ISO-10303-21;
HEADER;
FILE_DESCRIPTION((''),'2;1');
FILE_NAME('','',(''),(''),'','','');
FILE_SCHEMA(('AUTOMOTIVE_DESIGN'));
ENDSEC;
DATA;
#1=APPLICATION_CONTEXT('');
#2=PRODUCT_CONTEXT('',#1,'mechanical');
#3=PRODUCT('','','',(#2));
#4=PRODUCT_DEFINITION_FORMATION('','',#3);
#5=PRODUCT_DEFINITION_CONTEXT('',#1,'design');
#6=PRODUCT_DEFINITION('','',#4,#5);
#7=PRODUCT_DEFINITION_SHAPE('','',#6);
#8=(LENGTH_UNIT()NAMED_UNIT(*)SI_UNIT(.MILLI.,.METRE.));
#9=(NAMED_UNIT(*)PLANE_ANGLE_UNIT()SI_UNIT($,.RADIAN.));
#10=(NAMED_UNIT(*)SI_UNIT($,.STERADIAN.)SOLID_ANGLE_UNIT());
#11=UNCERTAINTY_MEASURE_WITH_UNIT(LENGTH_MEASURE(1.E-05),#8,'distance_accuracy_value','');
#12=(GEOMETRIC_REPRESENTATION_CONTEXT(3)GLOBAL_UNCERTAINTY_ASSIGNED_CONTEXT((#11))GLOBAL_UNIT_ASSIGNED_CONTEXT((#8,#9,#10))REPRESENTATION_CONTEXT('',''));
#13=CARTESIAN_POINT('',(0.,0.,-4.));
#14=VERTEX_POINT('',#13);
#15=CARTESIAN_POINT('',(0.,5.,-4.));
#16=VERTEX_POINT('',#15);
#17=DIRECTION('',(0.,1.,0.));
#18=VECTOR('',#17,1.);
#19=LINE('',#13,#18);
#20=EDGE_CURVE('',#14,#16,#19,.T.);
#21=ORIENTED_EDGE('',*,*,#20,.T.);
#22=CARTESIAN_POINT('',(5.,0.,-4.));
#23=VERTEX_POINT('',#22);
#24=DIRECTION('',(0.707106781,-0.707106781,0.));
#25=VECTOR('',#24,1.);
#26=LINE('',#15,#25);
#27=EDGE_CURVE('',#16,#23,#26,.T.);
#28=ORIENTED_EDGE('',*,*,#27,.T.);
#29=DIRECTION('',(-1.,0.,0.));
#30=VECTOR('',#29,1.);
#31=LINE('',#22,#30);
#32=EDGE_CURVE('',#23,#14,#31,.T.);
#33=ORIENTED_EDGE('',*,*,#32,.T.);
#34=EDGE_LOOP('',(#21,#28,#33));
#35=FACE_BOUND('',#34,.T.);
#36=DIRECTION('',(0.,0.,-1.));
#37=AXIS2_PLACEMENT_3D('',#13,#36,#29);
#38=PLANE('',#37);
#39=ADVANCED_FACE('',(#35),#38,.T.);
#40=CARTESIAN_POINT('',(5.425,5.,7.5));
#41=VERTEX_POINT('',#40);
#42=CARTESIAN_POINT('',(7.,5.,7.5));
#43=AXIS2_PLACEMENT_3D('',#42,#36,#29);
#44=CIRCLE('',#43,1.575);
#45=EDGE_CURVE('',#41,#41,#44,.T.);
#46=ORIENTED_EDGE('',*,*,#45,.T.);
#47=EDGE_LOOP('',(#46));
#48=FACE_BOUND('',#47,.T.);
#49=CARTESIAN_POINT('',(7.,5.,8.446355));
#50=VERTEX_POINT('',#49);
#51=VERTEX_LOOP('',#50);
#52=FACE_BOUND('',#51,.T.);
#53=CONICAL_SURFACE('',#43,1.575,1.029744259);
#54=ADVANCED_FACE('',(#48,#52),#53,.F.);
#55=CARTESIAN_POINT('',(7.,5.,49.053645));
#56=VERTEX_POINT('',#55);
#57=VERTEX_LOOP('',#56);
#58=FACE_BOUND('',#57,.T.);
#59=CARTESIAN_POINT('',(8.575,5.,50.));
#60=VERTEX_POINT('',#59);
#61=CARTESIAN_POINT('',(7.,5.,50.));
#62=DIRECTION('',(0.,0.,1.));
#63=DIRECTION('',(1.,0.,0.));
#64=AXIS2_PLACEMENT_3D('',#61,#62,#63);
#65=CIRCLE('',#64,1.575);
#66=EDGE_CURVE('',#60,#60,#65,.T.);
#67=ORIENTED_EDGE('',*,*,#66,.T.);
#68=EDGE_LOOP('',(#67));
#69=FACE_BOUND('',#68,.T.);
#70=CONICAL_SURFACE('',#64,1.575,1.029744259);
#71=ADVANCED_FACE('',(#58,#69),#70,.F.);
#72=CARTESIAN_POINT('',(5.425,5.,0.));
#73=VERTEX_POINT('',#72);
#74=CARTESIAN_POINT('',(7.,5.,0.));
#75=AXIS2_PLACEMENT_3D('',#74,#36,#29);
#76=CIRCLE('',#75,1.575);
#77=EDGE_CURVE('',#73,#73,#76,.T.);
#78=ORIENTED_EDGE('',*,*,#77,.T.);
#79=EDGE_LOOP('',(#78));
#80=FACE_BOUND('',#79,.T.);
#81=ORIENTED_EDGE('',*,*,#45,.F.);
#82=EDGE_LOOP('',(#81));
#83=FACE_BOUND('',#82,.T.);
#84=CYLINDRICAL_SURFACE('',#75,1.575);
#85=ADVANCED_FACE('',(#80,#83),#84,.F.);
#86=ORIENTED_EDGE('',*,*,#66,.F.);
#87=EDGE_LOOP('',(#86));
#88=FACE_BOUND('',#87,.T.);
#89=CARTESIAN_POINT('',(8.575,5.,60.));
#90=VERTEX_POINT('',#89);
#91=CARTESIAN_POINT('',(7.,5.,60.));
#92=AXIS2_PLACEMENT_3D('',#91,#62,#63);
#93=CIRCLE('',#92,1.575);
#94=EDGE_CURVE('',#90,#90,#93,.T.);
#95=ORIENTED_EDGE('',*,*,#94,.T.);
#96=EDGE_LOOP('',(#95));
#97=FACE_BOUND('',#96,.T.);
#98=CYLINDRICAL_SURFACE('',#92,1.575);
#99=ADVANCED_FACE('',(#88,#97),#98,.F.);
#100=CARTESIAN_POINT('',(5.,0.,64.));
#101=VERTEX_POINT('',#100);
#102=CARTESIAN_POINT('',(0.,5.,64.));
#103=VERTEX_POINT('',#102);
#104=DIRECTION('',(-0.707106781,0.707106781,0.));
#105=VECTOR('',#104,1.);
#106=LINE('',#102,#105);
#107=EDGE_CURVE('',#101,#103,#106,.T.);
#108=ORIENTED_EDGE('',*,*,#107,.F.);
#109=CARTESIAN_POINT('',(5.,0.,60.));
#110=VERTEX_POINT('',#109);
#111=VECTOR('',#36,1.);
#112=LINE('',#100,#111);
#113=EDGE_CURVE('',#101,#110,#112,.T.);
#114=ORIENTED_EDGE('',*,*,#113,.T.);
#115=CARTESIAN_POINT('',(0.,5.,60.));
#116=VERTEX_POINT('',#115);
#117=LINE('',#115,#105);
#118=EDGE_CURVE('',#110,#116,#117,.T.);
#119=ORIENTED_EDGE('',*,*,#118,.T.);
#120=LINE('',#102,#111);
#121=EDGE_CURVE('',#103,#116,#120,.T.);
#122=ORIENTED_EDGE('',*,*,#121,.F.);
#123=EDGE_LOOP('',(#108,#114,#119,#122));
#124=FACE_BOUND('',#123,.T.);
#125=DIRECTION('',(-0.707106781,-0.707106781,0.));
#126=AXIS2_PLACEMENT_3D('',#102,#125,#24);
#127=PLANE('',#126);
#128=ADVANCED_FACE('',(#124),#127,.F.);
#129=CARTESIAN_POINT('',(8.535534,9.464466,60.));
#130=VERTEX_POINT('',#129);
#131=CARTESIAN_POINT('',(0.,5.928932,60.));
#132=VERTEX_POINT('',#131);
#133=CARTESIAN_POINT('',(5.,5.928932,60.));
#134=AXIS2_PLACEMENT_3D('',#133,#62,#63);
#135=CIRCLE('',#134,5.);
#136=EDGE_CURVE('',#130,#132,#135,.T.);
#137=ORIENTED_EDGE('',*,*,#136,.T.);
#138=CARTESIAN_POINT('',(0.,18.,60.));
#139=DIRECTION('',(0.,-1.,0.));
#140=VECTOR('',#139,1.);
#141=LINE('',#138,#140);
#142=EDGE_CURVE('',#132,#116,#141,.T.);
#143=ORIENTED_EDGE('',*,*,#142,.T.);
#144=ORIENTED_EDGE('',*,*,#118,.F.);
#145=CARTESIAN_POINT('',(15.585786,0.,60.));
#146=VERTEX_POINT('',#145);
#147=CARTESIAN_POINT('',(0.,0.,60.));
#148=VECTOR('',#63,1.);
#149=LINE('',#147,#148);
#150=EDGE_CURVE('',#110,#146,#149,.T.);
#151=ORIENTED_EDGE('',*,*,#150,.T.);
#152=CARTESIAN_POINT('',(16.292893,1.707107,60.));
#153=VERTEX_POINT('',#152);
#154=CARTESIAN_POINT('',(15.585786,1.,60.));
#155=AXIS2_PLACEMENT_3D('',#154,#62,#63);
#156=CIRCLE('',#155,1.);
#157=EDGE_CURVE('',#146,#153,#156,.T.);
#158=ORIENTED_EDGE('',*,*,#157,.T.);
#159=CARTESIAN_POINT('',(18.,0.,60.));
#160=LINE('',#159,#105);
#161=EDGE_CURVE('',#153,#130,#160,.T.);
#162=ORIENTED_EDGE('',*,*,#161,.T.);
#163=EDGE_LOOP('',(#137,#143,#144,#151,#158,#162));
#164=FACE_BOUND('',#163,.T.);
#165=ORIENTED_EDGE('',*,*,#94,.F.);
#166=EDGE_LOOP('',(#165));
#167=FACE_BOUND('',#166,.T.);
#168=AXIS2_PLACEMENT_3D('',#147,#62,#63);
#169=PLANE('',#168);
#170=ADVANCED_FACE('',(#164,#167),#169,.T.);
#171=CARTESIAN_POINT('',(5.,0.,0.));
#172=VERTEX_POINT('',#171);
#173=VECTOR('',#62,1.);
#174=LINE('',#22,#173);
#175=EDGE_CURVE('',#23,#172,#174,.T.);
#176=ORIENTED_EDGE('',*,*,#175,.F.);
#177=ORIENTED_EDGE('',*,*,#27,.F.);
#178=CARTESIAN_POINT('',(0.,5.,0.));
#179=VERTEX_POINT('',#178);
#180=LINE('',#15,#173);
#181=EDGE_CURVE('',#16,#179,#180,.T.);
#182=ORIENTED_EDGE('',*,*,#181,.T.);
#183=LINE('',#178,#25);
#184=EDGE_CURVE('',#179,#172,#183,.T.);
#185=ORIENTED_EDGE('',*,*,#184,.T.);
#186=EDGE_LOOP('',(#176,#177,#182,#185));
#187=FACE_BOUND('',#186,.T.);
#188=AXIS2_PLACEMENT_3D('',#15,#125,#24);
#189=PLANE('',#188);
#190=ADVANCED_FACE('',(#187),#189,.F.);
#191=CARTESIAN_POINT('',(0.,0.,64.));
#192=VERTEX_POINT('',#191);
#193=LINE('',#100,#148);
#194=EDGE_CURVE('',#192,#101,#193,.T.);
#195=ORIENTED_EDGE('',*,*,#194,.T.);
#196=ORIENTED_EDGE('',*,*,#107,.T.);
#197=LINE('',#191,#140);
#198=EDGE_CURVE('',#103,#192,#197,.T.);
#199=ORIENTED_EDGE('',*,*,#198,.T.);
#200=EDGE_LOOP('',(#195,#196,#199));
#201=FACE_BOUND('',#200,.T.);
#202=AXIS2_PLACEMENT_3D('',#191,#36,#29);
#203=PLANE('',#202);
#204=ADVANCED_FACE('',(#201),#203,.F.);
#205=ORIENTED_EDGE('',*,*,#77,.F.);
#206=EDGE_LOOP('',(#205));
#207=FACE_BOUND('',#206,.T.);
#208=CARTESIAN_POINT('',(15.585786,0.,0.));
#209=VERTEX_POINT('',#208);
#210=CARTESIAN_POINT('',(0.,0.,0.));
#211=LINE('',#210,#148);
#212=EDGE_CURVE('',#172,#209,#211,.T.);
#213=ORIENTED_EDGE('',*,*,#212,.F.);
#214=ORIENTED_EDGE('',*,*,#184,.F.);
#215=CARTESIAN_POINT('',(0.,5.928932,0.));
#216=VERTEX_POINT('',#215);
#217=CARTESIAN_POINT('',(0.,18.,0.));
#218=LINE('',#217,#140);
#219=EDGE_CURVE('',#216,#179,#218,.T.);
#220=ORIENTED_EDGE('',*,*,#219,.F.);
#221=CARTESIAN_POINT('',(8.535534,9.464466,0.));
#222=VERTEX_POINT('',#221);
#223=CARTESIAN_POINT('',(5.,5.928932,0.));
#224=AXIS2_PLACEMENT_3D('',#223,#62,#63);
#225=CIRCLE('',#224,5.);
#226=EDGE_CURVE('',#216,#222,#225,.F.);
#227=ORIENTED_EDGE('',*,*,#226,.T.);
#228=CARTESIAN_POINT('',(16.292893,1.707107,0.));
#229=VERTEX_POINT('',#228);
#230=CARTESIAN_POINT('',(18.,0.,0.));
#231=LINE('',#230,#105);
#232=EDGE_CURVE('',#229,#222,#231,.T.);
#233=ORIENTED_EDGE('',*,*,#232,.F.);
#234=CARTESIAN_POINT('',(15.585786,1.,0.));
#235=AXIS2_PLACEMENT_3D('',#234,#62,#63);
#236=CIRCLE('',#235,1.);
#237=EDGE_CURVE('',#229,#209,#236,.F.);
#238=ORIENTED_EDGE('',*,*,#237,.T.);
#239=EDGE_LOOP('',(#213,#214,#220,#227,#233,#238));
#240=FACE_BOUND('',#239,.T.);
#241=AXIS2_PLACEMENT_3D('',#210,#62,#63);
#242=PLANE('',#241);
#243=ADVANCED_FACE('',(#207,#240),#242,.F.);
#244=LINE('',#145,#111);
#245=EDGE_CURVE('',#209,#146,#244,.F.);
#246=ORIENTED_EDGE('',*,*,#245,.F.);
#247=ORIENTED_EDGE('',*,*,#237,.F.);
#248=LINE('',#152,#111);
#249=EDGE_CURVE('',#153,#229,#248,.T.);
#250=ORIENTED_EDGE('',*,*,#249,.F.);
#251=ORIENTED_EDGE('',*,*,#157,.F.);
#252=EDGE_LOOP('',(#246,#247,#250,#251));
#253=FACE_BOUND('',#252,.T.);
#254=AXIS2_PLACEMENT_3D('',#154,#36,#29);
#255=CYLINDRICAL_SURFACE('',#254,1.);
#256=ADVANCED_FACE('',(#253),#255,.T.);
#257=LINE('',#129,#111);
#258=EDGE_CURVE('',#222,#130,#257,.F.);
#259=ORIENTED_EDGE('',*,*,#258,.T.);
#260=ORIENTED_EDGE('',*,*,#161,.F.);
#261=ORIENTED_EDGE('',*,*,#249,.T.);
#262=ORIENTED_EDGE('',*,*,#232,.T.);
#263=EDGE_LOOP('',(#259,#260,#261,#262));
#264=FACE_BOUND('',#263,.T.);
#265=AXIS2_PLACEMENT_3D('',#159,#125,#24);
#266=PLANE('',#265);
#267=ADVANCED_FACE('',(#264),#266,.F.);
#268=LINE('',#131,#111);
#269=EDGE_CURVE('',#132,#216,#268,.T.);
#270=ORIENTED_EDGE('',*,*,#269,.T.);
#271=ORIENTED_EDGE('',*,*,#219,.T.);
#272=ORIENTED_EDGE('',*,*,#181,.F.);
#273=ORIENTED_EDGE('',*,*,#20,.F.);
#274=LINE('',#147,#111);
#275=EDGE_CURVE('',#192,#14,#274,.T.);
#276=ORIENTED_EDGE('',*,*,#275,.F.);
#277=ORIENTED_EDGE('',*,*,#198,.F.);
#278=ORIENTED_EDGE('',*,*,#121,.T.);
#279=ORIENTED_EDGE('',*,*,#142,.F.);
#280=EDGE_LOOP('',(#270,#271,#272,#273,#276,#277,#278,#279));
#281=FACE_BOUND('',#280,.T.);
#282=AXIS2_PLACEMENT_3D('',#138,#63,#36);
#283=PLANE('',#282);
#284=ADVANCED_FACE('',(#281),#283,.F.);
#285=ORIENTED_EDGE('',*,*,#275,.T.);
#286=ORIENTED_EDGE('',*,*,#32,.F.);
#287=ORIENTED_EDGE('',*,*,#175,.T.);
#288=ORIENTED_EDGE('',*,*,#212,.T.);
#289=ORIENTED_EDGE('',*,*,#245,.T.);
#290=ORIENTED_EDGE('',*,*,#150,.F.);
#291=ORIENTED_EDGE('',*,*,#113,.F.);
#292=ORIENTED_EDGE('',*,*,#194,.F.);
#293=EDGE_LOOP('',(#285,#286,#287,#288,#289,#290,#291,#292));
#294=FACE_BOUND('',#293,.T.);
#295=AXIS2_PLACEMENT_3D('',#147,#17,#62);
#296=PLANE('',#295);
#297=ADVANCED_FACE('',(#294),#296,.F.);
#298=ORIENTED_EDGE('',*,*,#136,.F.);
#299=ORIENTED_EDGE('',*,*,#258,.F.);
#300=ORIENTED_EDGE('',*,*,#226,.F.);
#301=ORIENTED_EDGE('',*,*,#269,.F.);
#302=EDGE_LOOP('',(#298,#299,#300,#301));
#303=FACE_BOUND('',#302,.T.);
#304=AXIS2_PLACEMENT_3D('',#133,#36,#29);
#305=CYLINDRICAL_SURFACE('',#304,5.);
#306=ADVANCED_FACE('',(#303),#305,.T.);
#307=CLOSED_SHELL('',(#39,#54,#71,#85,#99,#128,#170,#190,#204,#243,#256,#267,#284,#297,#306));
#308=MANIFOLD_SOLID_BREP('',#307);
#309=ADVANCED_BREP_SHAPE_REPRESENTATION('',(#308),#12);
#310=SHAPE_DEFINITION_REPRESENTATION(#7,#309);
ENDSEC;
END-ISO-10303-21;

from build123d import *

# Parameters (mm, degrees)
RESSALTO_EXTRUS_O1_DEPTH                    = 60
RESSALTO_EXTRUS_O2_DEPTH                    = 4
RESSALTO_EXTRUS_O3_DEPTH                    = 4
FURO_ROSCADO_PARA_CONDU_TE_DE_M3X0_51_D     = 3.15
FURO_ROSCADO_PARA_CONDU_TE_DE_M3X0_51_DEPTH = 10
FURO_ROSCADO_PARA_CONDU_TE_DE_M3X0_51_TIP   = 0.946355475
FURO_ROSCADO_PARA_CONDU_TE_DE_M3X0_52_D     = 3.15
FURO_ROSCADO_PARA_CONDU_TE_DE_M3X0_52_DEPTH = 7.5
FURO_ROSCADO_PARA_CONDU_TE_DE_M3X0_52_TIP   = 0.946355475
FILETE1_R                                   = 1
FILETE2_R                                   = 5


with BuildPart() as part:
    # Esboço1 → Ressalto-extrusão1 (new body)
    with BuildSketch(Plane.XY):
        Polygon((0, 0), (18, 0), (0, 18), align=None)
    extrude(amount=RESSALTO_EXTRUS_O1_DEPTH)

    # Esboço2 → Ressalto-extrusão2 (add)
    with BuildSketch(Plane.XY.offset(60)):
        Polygon((0, 0), (0, 5), (5, 0), align=None)
    extrude(amount=RESSALTO_EXTRUS_O2_DEPTH)

    # Esboço3 → Ressalto-extrusão3 (add)
    with BuildSketch(Plane(origin=(0, 0, 0), x_dir=(-1, 0, 0), z_dir=(0, 0, -1))):
        Polygon((0, 0), (0, 5), (-5, 0), align=None)
    extrude(amount=RESSALTO_EXTRUS_O3_DEPTH)

    # Furo roscado para conduíte de M3x0.51
    with Locations(Plane.XY.offset(60)):
        with Locations((7, 5)):
            Hole(FURO_ROSCADO_PARA_CONDU_TE_DE_M3X0_51_D / 2, depth=FURO_ROSCADO_PARA_CONDU_TE_DE_M3X0_51_DEPTH)
            with Locations((0, 0, -(FURO_ROSCADO_PARA_CONDU_TE_DE_M3X0_51_DEPTH + FURO_ROSCADO_PARA_CONDU_TE_DE_M3X0_51_TIP / 2))):  # 118° drill point
                Cone(0, FURO_ROSCADO_PARA_CONDU_TE_DE_M3X0_51_D / 2, FURO_ROSCADO_PARA_CONDU_TE_DE_M3X0_51_TIP, mode=Mode.SUBTRACT)

    # Furo roscado para conduíte de M3x0.52
    with Locations(Plane(origin=(0, 0, 0), x_dir=(-1, 0, 0), z_dir=(0, 0, -1))):
        with Locations((-7, 5)):
            Hole(FURO_ROSCADO_PARA_CONDU_TE_DE_M3X0_52_D / 2, depth=FURO_ROSCADO_PARA_CONDU_TE_DE_M3X0_52_DEPTH)
            with Locations((0, 0, -(FURO_ROSCADO_PARA_CONDU_TE_DE_M3X0_52_DEPTH + FURO_ROSCADO_PARA_CONDU_TE_DE_M3X0_52_TIP / 2))):  # 118° drill point
                Cone(0, FURO_ROSCADO_PARA_CONDU_TE_DE_M3X0_52_D / 2, FURO_ROSCADO_PARA_CONDU_TE_DE_M3X0_52_TIP, mode=Mode.SUBTRACT)

    # Filete1
    filete1_edges = [part.edges().sort_by_distance(p)[0] for p in [
        (18, 0, 30),
    ]]
    fillet(filete1_edges, radius=FILETE1_R)

    # Filete2
    filete2_edges = [part.edges().sort_by_distance(p)[0] for p in [
        (0, 18, 30),
    ]]
    fillet(filete2_edges, radius=FILETE2_R)


solid = part.part
